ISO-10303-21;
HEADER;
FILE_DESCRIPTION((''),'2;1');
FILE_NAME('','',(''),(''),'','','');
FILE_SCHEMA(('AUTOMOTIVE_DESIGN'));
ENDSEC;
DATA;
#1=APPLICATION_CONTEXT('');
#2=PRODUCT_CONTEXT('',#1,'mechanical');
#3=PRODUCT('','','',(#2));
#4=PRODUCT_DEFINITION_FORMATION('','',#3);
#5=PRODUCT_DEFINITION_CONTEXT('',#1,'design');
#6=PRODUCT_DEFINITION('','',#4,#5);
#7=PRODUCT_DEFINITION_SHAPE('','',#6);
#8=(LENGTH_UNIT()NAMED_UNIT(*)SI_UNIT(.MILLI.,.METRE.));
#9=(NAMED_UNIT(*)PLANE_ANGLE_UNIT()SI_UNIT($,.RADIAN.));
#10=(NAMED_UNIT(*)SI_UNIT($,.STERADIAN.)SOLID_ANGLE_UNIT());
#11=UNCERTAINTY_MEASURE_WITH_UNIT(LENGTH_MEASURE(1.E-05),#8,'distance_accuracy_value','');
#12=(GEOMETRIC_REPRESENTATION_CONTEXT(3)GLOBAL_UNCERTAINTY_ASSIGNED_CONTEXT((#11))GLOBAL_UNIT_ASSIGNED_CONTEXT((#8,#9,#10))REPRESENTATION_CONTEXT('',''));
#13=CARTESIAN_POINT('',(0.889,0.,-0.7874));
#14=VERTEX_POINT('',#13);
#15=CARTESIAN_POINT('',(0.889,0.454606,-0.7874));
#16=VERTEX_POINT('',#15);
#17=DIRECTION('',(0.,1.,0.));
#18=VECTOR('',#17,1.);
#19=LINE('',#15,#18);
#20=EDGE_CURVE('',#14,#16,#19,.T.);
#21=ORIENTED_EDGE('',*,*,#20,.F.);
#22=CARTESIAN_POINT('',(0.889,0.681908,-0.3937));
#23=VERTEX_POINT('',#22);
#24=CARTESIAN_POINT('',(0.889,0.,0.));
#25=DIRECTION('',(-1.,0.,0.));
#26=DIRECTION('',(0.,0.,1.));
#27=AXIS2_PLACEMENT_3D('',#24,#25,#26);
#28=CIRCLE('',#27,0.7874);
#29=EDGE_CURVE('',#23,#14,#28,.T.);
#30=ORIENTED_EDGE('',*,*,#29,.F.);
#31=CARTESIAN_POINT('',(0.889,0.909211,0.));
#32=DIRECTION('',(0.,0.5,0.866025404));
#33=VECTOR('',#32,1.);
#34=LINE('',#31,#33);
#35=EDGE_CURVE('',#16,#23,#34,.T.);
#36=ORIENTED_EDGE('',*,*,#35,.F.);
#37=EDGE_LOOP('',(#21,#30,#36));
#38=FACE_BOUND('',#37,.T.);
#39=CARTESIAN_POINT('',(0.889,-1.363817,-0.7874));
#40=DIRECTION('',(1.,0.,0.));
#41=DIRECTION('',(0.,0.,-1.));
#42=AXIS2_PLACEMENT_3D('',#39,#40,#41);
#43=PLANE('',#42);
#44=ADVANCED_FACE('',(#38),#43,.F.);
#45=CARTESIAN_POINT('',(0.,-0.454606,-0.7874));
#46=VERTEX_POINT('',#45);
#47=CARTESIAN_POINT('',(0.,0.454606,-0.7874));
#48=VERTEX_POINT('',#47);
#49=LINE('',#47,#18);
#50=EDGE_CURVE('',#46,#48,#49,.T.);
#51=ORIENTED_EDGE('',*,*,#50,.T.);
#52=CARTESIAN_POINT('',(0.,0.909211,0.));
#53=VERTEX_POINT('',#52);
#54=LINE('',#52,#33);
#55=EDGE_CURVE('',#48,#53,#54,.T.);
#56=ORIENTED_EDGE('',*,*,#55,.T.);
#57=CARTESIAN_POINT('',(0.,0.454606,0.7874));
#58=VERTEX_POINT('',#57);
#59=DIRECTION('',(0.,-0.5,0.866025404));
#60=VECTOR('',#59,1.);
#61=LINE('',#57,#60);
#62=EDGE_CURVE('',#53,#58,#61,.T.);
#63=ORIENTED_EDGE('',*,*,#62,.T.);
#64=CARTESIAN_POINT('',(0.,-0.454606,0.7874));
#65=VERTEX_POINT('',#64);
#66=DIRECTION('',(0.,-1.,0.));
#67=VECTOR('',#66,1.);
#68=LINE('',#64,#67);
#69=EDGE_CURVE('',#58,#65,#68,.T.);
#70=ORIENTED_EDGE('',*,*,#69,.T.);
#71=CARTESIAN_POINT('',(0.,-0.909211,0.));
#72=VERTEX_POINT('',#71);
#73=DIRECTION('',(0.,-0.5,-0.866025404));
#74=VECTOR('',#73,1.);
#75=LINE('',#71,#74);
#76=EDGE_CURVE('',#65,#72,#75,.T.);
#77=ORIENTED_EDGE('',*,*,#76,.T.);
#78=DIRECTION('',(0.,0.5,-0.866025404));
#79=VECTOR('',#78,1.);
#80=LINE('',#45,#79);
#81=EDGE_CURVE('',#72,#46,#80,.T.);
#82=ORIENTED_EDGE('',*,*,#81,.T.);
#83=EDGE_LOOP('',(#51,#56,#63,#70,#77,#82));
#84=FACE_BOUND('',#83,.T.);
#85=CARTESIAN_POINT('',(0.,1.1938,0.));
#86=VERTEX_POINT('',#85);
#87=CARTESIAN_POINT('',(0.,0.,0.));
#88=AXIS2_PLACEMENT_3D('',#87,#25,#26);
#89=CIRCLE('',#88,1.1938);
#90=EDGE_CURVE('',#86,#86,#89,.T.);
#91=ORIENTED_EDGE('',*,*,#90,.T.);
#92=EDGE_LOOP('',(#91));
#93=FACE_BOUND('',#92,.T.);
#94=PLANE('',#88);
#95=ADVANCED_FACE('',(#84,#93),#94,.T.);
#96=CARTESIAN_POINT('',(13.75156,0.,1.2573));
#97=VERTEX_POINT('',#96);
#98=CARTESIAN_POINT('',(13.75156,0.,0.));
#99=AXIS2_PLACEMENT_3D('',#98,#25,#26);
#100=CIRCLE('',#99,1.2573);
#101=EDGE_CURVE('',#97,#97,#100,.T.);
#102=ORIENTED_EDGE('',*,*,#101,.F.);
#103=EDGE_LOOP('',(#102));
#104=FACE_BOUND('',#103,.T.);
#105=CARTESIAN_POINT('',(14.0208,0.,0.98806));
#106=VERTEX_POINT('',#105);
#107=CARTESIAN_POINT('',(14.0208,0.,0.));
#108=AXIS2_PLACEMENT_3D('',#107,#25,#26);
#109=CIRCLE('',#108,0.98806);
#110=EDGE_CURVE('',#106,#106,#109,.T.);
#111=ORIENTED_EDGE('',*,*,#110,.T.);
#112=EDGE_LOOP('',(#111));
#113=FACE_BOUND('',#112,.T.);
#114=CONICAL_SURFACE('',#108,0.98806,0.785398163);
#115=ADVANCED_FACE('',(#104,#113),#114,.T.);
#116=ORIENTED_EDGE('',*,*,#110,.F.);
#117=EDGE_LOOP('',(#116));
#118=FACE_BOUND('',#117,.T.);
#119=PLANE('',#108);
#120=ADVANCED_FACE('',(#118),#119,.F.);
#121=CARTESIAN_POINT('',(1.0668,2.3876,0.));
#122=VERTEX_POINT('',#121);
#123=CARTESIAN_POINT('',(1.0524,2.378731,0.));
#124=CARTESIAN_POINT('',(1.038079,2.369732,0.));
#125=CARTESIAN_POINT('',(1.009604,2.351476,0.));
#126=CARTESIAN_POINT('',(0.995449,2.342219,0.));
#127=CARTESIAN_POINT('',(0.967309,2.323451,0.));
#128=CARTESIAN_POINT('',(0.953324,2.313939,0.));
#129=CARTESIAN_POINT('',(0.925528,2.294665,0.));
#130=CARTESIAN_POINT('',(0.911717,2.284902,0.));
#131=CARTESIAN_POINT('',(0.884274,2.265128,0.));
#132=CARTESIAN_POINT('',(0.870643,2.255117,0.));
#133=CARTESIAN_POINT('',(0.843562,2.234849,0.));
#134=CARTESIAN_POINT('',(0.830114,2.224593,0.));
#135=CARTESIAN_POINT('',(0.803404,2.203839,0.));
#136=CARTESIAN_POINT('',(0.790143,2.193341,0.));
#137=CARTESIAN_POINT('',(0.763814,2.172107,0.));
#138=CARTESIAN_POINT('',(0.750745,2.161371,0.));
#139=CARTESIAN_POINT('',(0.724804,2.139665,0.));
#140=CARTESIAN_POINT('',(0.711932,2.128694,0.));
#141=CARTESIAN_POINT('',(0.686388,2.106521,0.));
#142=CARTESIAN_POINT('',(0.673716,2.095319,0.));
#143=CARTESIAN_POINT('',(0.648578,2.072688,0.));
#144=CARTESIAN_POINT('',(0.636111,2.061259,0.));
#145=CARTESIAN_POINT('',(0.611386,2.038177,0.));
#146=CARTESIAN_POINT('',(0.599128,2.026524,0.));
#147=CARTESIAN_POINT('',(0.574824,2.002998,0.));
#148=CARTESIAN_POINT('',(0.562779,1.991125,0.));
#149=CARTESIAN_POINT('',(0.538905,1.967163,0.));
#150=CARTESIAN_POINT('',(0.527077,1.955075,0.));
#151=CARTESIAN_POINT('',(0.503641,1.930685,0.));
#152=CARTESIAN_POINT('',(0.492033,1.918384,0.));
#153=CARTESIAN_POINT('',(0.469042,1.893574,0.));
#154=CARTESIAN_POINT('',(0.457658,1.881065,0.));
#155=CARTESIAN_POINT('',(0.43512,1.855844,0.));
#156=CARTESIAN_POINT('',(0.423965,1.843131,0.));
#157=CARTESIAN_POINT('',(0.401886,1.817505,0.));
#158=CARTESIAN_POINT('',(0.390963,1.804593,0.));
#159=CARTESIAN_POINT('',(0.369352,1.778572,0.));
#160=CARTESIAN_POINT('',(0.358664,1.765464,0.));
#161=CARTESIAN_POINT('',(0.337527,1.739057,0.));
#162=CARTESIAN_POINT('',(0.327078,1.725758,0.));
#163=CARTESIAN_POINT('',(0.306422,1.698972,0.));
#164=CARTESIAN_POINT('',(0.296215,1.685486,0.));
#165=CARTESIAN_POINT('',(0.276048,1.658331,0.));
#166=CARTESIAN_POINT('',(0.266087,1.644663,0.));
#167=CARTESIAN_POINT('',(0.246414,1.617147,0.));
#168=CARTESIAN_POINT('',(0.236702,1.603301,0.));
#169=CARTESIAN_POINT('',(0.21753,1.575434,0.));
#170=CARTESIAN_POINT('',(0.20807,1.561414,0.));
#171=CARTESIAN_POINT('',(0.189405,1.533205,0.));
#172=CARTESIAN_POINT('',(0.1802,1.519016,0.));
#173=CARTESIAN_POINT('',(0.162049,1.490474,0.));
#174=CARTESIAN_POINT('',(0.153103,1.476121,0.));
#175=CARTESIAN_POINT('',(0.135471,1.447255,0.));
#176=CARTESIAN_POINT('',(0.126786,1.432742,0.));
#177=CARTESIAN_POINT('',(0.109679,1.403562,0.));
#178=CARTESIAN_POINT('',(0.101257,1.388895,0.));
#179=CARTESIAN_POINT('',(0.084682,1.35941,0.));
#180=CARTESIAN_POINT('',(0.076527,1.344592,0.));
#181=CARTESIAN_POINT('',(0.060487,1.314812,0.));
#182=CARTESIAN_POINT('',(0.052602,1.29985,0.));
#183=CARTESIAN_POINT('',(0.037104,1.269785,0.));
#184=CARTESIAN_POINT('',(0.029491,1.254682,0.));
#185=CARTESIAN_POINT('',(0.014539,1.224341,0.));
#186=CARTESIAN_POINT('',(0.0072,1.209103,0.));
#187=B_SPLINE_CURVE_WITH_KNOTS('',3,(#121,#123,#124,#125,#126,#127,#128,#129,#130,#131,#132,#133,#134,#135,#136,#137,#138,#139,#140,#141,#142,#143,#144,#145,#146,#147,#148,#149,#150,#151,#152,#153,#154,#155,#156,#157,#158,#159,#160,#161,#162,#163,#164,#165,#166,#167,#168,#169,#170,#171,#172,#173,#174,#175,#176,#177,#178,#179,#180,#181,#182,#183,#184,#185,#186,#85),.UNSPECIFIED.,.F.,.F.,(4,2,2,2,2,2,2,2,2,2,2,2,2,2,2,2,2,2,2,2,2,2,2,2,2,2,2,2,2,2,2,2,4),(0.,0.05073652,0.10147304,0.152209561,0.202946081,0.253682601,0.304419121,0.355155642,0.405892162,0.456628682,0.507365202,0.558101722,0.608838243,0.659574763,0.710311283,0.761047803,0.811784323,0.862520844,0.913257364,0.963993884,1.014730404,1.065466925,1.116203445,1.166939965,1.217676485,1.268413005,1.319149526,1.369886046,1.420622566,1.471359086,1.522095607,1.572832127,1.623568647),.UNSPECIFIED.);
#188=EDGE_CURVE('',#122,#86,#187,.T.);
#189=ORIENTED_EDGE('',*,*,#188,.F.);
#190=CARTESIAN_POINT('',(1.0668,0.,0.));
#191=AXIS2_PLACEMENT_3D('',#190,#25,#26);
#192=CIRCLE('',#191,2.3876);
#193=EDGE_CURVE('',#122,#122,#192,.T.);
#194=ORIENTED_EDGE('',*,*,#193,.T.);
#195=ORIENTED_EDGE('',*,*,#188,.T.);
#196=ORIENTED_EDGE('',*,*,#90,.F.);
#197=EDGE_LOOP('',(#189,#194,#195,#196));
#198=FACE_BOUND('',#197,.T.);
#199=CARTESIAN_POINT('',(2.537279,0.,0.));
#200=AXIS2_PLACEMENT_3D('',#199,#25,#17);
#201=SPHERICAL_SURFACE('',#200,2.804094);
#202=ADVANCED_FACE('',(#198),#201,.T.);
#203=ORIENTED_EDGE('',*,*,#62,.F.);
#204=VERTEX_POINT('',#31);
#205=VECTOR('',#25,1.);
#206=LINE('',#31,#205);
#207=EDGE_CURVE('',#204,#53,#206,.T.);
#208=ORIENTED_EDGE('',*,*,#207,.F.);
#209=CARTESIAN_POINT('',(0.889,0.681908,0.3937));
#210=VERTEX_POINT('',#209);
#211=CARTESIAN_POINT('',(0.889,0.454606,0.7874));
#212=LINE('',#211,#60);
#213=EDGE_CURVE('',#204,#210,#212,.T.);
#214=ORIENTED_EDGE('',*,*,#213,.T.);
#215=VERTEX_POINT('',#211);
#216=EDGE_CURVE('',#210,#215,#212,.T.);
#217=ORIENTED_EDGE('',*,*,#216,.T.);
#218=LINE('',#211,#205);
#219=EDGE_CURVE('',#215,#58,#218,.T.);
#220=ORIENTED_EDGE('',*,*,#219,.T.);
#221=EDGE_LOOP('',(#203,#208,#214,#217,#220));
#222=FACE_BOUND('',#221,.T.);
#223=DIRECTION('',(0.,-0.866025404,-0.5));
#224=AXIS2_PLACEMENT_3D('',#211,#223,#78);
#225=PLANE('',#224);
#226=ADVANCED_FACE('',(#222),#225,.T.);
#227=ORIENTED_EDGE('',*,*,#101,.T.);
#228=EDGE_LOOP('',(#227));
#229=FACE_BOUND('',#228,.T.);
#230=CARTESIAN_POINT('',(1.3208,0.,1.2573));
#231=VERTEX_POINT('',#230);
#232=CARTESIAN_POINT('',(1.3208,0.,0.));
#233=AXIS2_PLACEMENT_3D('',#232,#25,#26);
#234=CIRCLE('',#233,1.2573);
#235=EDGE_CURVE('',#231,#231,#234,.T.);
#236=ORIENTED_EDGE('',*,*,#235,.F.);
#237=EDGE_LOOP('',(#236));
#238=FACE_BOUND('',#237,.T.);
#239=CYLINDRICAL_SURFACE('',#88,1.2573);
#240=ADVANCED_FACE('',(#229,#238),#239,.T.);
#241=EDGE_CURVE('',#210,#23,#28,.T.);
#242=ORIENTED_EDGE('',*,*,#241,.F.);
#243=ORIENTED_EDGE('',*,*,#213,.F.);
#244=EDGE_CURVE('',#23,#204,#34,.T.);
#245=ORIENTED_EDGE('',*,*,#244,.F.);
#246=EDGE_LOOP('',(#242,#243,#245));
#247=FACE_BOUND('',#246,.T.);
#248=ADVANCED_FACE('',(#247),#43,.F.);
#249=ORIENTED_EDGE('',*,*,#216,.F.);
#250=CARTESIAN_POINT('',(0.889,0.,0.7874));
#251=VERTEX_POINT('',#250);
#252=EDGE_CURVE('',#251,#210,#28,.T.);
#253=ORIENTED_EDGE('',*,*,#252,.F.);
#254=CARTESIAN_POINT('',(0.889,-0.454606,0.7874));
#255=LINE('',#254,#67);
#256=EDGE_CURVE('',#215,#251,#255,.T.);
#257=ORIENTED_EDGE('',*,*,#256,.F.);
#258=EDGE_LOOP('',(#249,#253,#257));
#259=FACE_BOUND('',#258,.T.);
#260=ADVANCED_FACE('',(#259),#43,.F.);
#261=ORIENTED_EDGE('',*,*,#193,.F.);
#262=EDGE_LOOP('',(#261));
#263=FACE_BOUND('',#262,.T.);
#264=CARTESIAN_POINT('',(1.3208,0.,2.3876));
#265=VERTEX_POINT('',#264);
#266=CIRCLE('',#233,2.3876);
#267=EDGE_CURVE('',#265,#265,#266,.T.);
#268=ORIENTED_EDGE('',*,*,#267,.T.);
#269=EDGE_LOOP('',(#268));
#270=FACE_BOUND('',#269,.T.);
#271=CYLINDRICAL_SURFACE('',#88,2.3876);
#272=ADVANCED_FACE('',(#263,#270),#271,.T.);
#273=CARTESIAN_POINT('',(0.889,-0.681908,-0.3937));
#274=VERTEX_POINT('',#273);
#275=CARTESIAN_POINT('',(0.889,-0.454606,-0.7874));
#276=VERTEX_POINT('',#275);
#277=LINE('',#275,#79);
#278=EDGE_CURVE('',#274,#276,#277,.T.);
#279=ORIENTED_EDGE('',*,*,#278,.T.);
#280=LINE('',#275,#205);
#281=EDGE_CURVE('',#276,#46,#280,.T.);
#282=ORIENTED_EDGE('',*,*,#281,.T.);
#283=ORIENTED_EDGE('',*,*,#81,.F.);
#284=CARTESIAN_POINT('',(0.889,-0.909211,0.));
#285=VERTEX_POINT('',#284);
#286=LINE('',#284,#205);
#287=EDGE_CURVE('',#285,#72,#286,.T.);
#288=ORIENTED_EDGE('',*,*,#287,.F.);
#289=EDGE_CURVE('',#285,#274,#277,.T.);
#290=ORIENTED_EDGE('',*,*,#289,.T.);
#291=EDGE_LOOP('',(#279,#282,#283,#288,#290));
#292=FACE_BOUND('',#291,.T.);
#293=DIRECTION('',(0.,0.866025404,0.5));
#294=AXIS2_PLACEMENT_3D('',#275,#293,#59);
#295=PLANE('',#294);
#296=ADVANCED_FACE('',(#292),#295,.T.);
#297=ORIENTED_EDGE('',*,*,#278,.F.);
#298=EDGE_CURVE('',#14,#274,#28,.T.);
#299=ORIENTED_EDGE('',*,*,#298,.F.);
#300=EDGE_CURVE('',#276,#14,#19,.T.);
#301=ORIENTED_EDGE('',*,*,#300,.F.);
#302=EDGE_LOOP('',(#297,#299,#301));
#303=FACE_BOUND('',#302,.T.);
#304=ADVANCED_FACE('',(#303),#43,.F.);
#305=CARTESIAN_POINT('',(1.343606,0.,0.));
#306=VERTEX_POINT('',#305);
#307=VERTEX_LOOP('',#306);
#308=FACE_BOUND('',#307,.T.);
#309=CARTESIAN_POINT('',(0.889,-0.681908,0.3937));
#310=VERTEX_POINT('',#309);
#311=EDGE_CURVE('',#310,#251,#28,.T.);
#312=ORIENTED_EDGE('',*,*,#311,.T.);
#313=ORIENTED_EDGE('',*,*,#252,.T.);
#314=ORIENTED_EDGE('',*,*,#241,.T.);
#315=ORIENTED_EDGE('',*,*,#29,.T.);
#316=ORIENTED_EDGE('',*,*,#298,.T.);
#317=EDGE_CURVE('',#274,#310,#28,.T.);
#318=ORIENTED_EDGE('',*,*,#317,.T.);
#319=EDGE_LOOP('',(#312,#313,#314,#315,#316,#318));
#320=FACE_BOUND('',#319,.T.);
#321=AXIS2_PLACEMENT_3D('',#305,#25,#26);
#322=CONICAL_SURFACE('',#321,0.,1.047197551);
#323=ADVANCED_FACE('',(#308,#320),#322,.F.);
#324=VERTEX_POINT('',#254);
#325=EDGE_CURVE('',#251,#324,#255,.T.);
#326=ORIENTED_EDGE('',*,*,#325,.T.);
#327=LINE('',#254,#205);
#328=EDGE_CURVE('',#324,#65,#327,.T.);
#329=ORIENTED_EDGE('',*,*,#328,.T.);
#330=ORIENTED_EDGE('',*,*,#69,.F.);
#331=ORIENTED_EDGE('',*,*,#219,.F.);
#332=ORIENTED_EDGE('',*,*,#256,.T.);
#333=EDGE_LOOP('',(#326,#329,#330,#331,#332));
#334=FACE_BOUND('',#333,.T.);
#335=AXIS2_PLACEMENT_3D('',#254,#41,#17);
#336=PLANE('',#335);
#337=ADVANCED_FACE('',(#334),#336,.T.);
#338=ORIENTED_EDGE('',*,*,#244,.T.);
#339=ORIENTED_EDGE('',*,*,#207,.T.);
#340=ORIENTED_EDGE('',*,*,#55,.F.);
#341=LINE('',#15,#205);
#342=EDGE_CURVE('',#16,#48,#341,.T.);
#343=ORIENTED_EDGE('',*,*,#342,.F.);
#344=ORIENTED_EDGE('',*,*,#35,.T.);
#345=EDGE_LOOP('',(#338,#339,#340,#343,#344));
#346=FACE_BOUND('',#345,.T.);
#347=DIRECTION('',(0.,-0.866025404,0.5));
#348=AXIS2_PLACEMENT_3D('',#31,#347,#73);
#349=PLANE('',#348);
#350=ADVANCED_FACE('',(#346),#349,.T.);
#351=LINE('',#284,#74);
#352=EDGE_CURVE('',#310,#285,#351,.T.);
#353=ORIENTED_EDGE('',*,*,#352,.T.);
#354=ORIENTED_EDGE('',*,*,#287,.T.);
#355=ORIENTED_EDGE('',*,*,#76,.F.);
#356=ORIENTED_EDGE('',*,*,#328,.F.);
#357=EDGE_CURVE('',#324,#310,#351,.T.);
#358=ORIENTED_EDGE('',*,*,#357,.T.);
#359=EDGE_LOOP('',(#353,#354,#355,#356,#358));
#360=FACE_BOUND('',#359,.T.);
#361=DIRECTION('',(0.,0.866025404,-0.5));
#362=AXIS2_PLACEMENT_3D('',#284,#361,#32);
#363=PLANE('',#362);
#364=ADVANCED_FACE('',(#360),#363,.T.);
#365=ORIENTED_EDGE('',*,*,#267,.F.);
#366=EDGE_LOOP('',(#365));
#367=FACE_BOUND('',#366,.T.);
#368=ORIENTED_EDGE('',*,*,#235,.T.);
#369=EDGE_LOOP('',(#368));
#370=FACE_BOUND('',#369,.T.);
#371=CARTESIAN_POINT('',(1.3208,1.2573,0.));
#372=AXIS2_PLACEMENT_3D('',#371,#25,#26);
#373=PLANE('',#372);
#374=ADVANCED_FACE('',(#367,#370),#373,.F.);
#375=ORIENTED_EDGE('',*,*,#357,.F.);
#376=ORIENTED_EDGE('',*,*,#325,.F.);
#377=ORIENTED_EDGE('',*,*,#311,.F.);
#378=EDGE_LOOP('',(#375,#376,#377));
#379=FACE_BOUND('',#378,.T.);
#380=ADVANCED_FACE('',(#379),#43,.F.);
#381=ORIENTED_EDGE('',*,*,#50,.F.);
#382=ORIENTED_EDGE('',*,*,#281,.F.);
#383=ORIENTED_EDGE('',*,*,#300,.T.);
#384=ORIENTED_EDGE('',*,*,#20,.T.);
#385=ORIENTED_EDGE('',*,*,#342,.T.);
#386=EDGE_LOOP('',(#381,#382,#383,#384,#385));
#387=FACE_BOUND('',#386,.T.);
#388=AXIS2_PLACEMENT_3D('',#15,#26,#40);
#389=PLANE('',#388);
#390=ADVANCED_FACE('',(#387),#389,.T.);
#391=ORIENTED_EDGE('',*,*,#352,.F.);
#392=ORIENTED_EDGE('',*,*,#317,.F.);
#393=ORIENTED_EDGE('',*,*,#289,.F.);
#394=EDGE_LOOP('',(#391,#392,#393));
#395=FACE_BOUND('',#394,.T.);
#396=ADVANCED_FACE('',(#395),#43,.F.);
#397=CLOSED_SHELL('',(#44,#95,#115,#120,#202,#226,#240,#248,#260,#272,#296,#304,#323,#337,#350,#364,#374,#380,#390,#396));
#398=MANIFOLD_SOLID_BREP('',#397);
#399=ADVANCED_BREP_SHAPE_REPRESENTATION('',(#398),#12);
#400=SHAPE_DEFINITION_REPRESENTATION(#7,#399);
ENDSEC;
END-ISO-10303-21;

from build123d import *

# Parameters (mm, degrees)
HEX_2_DEPTH = 0.889


with BuildPart() as part:
    # BodySke → BaseBody (revolve)
    with BuildSketch(Plane.XY, mode=Mode.PRIVATE) as basebody_sk:
        with BuildLine():
            Line((14.0208, 0), (14.0208, 0.98806))
            Line((14.0208, 0.98806), (13.75156, 1.2573))
            Line((13.75156, 1.2573), (1.3208, 1.2573))
            Line((1.3208, 1.2573), (1.3208, 2.3876))
            Line((1.3208, 2.3876), (1.0668, 2.3876))
            ThreePointArc((1.0668, 2.3876), (0.446389062, 1.868454455), (0, 1.1938))
            Line((0, 1.1938), (0, 0))
            Line((0, 0), (14.0208, 0))
        make_face()
    revolve(basebody_sk.sketch.rotate(Axis((0, 0, 0), (1, 0, 0)), 90), axis=Axis((0, 0, 0), (1, 0, 0)))

    # Sketch2 → PreBroach (revolve, cut)
    with BuildSketch(Plane.XY, mode=Mode.PRIVATE) as prebroach_sk:
        Polygon((0, 0.7874), (0.889, 0.7874), (1.343605602, 0), (0, 0), align=None)
    revolve(prebroach_sk.sketch.rotate(Axis((0, 0, 0), (1, 0, 0)), 90), axis=Axis((0, 0, 0), (1, 0, 0)), mode=Mode.SUBTRACT)

    # Sketch3 → Hex 2 (cut)
    with BuildSketch(Plane(origin=(0, 0, 0), x_dir=(0, 0, -1), z_dir=(1, 0, 0))):
        Polygon((-0.7874, -0.454605602), (-0.7874, 0.454605602), (0, 0.909211204), (0.7874, 0.454605602), (0.7874, -0.454605602), (0, -0.909211204), align=None)
    extrude(amount=HEX_2_DEPTH, mode=Mode.SUBTRACT)


solid = part.part
